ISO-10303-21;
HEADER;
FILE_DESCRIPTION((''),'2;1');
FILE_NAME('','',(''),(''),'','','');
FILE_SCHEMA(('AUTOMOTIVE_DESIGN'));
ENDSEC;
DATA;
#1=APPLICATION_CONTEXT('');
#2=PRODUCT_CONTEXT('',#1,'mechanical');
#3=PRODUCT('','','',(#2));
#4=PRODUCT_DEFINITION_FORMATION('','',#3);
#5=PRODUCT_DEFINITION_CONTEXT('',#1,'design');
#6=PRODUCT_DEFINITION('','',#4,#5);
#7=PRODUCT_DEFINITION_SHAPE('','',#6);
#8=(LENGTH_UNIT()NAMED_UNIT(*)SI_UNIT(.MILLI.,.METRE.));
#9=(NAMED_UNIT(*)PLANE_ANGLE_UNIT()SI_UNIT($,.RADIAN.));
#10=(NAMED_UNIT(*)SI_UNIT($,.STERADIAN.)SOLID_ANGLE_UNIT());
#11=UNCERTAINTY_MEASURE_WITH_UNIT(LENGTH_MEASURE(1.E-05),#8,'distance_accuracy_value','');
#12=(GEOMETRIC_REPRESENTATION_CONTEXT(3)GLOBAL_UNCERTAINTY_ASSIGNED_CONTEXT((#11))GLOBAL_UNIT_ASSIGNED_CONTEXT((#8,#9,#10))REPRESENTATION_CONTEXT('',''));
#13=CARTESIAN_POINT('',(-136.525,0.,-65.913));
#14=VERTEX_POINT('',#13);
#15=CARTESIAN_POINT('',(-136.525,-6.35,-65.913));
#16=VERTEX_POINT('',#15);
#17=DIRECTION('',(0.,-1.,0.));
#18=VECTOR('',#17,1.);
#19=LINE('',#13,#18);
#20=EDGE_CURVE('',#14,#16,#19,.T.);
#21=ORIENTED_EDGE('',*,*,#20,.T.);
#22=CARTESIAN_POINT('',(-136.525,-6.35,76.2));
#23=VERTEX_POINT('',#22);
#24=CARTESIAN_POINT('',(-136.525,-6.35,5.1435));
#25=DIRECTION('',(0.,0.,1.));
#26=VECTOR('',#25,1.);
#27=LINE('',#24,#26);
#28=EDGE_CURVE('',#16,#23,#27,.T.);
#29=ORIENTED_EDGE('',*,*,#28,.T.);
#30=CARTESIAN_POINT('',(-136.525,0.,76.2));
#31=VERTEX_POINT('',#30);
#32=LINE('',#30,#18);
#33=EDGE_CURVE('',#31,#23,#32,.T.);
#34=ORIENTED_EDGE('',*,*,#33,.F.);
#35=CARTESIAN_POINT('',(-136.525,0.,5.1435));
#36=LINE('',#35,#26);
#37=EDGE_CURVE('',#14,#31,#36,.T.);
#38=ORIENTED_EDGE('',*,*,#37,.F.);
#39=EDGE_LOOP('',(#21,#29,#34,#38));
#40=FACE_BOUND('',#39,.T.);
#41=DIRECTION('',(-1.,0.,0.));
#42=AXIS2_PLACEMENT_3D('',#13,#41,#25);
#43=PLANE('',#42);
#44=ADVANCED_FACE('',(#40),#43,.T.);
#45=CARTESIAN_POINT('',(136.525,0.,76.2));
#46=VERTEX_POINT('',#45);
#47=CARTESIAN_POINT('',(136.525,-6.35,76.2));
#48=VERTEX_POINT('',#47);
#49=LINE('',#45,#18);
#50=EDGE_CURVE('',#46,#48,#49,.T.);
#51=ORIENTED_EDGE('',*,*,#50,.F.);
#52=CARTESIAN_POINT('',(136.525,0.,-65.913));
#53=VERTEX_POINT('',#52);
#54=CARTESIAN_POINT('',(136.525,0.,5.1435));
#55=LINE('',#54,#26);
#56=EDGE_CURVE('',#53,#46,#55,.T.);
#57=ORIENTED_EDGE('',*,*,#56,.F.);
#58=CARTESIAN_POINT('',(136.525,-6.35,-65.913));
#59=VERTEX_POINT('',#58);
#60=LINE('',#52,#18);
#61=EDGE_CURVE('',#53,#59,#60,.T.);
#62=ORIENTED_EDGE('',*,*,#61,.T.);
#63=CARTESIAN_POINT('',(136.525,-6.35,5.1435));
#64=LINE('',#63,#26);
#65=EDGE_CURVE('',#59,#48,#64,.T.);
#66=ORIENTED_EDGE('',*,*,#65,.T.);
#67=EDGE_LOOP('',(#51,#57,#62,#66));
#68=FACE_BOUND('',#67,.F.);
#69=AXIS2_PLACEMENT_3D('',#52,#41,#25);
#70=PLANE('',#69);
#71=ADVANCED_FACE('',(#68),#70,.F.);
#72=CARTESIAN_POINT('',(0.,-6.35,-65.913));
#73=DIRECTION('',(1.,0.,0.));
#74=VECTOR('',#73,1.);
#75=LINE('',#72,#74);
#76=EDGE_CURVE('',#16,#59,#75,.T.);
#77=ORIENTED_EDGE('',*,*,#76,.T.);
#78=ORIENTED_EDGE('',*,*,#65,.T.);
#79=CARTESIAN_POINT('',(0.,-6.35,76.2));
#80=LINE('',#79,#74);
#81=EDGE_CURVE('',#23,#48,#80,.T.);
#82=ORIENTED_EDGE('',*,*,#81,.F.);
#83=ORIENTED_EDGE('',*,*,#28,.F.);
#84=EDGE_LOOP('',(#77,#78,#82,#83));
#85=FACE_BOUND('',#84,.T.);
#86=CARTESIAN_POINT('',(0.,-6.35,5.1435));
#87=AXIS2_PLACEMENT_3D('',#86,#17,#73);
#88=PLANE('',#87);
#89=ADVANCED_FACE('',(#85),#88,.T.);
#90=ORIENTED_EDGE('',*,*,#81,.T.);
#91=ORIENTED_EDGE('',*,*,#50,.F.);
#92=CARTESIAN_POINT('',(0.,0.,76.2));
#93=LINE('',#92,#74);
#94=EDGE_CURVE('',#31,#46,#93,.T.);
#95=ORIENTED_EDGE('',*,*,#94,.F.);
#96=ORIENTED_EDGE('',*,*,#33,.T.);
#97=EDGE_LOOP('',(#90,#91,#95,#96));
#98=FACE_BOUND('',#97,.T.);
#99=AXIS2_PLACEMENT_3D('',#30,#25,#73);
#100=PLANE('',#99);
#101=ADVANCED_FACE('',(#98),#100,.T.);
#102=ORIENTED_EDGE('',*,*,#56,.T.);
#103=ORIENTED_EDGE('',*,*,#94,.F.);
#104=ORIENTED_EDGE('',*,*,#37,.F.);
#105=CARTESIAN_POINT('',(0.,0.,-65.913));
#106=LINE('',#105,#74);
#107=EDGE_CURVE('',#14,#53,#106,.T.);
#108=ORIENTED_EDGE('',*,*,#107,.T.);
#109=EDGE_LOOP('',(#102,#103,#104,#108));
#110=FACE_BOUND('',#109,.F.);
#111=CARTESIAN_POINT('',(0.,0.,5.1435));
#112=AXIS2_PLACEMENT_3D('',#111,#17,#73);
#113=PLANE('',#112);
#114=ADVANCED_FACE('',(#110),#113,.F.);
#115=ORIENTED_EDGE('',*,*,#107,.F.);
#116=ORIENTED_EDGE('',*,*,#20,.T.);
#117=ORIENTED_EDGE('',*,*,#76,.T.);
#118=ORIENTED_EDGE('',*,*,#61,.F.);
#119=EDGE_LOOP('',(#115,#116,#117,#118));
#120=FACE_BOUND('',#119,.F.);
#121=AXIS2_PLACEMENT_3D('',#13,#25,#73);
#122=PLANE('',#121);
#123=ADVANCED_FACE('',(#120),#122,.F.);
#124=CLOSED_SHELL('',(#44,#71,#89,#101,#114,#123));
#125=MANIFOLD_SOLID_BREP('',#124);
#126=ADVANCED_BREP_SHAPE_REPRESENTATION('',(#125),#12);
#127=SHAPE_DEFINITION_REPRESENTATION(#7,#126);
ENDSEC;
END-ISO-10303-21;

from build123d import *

# Parameters (mm, degrees)
F0_W     = 273.05
F0_H     = 142.113
F1_DEPTH = 6.35
F2_DEPTH = 6.35


with BuildPart() as f1:
    # F0 (on Front) → F1 (new body)
    with BuildSketch(Plane.XZ):
        with Locations((0, 5.1435)):
            Rectangle(F0_W, F0_H)
    extrude(amount=F1_DEPTH)

    # F0 (on Front) → F2 (join)
    with BuildSketch(Plane.XZ):
        with Locations((0, 5.1435)):
            Rectangle(F0_W, F0_H)
    extrude(amount=F2_DEPTH)


solid = f1.part
